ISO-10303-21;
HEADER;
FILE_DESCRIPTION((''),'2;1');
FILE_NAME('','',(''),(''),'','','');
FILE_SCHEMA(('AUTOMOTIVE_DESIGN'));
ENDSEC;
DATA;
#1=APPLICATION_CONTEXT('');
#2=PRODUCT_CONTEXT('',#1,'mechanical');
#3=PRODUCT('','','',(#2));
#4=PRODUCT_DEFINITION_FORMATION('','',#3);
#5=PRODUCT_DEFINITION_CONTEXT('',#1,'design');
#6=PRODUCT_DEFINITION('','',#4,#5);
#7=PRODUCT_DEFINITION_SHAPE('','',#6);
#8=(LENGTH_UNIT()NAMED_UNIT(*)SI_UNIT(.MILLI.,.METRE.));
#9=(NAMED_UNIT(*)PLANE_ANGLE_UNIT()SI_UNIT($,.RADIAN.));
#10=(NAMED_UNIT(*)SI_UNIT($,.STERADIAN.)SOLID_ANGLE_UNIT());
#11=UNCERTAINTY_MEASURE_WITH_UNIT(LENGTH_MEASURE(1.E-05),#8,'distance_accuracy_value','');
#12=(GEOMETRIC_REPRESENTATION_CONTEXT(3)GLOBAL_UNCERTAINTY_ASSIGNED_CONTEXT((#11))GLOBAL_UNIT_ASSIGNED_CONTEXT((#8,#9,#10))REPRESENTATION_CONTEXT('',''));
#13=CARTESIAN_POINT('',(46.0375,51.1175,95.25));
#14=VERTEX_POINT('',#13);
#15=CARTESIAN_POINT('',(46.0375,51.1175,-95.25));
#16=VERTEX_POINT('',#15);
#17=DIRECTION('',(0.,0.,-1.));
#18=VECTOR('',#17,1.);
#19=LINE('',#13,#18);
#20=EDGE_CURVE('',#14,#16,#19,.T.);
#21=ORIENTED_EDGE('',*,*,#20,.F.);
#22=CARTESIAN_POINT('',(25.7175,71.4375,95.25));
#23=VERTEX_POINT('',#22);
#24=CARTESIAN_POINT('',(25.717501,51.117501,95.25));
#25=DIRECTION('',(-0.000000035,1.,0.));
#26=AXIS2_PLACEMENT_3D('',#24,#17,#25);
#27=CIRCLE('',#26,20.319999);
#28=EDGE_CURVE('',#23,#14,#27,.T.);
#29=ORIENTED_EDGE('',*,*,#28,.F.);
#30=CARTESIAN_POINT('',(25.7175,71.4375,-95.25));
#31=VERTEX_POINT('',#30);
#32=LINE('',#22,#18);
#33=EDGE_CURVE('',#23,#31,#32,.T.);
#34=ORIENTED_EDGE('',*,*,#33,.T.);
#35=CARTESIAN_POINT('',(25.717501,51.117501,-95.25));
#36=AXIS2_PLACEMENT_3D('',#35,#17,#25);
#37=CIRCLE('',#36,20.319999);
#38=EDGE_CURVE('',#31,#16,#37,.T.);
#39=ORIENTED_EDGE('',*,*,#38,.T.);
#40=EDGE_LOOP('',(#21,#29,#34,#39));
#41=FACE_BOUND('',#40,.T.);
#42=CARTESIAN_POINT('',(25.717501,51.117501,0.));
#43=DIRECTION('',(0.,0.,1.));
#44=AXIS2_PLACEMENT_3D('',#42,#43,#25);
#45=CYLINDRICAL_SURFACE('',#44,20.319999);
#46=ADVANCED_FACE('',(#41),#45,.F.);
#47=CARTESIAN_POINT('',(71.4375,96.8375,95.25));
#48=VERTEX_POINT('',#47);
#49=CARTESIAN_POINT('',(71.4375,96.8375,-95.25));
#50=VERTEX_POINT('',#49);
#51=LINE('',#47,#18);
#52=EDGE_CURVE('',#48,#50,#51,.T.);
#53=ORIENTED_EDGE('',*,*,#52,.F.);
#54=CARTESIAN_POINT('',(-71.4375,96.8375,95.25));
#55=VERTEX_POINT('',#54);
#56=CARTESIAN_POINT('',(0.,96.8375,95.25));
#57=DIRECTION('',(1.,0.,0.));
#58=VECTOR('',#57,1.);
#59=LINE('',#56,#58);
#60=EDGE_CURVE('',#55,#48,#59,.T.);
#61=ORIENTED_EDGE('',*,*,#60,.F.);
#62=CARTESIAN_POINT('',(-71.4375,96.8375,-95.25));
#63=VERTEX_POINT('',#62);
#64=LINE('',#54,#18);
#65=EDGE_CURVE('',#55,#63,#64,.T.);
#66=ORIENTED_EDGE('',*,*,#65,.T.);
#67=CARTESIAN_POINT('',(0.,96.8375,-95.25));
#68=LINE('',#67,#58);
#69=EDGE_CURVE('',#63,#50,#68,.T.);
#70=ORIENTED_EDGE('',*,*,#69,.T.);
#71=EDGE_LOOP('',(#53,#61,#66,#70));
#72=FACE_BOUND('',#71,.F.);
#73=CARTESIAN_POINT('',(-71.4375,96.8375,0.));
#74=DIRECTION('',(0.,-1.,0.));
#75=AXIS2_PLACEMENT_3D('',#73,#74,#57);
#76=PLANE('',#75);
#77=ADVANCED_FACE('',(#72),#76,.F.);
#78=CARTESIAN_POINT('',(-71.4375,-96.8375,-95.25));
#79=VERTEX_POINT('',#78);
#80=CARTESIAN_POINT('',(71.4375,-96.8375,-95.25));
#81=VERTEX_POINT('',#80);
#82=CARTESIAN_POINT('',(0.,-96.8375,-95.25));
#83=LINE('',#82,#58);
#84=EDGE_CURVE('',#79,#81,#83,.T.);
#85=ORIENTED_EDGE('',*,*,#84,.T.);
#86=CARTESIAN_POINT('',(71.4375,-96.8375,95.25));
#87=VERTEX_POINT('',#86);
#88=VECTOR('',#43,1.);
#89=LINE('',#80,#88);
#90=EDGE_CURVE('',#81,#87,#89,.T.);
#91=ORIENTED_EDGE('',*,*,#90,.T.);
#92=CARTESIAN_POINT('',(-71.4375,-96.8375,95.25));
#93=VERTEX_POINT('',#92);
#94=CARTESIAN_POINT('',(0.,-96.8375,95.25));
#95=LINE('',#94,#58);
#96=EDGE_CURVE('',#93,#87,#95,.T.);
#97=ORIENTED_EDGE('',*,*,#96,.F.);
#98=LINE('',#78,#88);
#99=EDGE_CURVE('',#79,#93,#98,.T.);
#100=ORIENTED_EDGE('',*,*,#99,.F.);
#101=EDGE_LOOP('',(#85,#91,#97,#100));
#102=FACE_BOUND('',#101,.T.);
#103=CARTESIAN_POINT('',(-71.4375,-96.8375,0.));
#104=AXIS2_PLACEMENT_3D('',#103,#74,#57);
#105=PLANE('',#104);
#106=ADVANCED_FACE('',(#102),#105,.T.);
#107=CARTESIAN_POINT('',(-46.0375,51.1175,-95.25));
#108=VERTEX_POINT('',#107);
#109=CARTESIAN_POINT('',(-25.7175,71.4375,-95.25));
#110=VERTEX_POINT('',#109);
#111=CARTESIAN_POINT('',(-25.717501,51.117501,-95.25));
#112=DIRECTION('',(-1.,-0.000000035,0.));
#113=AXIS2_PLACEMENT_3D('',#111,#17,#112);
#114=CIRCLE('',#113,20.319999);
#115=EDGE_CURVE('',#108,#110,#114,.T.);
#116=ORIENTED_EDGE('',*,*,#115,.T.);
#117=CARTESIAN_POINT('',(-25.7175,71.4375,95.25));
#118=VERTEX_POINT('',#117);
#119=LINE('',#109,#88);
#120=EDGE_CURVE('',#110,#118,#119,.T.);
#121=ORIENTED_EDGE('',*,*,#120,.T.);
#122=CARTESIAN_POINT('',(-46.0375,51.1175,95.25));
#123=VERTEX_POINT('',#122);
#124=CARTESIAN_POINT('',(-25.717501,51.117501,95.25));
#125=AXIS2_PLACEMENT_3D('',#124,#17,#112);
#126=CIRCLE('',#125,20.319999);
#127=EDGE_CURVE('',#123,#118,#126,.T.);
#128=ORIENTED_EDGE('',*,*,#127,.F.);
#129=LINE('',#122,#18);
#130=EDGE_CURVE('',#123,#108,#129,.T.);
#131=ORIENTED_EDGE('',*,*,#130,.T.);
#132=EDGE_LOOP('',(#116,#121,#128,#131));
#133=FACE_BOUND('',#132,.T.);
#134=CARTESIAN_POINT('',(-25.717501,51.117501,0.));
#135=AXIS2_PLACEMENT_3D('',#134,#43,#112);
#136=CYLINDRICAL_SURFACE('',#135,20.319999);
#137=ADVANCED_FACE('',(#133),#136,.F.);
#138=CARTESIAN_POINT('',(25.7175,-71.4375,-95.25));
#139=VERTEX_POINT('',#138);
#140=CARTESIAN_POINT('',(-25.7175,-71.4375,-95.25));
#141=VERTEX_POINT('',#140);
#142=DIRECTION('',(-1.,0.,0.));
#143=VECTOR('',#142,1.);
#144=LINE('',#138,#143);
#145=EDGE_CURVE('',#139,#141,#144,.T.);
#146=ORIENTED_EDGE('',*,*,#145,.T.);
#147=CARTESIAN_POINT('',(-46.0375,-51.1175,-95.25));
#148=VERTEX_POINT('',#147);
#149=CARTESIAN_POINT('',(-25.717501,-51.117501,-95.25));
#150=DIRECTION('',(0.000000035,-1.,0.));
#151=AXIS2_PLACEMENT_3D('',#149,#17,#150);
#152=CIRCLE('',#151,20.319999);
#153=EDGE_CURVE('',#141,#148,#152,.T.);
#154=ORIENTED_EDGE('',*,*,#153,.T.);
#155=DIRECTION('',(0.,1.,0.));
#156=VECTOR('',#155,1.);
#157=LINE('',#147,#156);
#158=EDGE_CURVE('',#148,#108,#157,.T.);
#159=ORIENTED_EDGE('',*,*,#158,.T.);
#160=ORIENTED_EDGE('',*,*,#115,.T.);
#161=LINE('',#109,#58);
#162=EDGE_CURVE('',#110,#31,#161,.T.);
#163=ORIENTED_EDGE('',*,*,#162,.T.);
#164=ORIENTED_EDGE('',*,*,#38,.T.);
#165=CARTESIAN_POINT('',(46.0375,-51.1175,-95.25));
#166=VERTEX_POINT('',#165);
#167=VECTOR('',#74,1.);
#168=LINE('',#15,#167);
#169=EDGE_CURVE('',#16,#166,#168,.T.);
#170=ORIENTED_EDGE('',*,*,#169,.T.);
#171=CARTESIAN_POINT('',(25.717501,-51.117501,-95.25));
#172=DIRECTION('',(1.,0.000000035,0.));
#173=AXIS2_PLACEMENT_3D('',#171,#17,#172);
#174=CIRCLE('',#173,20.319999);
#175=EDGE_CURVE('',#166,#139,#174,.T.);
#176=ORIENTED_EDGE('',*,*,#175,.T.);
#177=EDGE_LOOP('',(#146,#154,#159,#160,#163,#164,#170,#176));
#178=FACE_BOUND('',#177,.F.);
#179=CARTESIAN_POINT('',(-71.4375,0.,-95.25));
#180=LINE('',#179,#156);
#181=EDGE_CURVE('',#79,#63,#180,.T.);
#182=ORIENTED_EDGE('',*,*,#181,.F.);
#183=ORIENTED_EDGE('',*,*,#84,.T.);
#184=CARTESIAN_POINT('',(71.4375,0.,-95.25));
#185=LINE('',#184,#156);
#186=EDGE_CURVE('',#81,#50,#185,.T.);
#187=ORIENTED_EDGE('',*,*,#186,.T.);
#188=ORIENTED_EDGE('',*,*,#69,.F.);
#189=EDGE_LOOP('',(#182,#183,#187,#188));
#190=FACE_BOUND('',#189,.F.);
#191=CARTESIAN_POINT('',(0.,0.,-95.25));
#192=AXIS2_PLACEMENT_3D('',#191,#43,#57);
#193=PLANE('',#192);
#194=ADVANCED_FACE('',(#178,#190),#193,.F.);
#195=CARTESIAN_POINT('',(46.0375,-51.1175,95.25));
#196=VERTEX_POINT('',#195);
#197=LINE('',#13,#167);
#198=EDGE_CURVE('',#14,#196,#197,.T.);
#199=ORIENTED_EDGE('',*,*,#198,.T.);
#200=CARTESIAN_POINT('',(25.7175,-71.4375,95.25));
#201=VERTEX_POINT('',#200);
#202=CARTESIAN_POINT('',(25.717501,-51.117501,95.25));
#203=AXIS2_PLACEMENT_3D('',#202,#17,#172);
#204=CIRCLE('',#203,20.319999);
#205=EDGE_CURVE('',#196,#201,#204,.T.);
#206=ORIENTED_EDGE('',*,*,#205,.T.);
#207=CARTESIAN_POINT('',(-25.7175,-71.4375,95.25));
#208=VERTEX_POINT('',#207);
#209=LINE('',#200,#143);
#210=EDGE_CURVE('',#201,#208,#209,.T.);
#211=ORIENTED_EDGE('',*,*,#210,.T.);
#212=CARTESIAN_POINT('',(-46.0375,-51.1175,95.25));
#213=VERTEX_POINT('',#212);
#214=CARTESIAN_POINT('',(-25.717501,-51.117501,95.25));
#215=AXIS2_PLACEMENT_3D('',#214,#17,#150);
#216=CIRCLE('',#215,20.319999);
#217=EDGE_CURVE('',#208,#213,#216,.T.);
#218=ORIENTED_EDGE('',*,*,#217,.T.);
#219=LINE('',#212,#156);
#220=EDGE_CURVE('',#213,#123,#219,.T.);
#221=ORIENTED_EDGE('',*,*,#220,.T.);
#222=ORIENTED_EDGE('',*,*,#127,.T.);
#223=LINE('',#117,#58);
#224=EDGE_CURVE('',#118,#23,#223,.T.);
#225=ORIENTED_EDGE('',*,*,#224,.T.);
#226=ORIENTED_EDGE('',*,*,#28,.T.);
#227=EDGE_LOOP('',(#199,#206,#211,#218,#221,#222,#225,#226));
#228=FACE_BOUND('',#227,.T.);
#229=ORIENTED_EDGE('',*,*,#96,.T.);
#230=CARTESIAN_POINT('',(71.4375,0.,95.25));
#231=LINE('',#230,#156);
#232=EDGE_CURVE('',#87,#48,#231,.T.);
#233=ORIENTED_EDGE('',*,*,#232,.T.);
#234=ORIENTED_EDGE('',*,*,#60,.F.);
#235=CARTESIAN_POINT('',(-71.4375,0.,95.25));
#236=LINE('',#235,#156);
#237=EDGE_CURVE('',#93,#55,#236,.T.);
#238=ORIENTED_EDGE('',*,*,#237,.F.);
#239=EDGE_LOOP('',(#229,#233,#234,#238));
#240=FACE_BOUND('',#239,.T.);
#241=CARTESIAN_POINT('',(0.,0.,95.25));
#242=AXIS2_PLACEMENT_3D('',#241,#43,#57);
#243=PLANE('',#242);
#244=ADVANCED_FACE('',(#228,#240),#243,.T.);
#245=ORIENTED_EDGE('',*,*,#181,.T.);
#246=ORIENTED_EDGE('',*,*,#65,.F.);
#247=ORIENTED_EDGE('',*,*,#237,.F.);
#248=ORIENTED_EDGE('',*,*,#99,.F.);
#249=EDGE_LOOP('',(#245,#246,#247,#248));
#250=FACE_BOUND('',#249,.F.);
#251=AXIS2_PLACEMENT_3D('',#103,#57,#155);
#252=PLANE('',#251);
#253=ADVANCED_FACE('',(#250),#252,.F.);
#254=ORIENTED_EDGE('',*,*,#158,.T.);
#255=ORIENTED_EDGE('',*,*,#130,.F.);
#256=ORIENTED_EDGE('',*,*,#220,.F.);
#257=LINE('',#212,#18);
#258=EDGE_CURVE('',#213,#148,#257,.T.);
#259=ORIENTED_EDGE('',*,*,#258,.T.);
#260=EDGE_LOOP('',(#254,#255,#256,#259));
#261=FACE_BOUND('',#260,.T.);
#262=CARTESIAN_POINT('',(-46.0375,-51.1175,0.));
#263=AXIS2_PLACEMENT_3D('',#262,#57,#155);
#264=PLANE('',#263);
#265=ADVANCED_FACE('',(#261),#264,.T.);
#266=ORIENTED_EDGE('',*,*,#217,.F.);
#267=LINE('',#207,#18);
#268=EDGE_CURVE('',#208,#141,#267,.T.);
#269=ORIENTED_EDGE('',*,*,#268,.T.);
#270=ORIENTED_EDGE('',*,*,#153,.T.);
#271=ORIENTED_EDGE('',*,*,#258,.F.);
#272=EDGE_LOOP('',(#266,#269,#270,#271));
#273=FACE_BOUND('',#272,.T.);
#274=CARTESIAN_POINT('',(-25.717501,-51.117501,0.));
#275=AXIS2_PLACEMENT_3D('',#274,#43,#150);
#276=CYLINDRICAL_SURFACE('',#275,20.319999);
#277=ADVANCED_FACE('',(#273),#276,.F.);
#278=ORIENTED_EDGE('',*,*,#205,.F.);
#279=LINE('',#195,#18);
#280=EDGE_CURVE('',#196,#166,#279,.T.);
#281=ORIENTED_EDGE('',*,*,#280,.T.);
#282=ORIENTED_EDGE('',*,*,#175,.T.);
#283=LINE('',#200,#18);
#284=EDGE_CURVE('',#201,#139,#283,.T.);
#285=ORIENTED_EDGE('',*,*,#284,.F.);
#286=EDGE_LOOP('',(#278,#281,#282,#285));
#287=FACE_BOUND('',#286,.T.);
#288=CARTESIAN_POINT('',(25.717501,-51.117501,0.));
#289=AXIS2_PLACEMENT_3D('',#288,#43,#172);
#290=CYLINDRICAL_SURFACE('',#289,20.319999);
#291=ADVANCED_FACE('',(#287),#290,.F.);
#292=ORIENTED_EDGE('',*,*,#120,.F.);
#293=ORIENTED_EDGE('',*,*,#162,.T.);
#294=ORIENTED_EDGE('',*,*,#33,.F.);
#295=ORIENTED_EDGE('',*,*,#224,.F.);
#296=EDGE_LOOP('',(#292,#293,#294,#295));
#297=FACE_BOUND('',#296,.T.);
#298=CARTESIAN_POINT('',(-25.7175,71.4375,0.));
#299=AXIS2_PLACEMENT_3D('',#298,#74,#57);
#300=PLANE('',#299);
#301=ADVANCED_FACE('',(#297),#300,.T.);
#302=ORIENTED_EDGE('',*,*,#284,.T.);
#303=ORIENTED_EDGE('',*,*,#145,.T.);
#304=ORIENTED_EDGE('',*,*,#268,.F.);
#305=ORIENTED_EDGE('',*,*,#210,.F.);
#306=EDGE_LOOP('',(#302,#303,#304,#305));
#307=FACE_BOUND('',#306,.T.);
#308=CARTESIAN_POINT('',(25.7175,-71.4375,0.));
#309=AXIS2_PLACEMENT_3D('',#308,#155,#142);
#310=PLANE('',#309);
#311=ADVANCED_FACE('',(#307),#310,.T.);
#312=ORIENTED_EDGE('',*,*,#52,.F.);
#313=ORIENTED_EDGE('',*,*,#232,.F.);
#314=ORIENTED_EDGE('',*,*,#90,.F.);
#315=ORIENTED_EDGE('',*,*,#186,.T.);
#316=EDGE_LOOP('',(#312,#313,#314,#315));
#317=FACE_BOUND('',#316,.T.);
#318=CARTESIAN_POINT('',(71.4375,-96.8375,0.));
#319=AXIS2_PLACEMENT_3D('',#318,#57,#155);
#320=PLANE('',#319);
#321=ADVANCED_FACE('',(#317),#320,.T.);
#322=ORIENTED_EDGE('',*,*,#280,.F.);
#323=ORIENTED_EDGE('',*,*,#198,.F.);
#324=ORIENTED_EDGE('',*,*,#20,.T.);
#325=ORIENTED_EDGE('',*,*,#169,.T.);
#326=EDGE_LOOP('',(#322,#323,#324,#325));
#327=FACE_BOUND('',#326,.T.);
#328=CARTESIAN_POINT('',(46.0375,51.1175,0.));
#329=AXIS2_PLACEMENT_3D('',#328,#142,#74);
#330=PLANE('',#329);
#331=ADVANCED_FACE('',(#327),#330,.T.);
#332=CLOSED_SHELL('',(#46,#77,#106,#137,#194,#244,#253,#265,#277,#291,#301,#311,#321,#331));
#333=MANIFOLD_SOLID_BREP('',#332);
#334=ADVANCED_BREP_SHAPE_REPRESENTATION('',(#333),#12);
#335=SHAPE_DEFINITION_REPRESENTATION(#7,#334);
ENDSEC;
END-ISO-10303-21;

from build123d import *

# Parameters (mm, degrees)
F0_W     = 142.875
F0_H     = 193.675
F1_DEPTH = 95.25


with BuildPart() as f1:
    # F0 (on Top) → F1 (new body, symmetric)
    with BuildSketch(Plane.XY):
        Rectangle(F0_W, F0_H)
        with BuildLine():
            Line((-25.7175, 71.4375), (25.7175, 71.4375))
            ThreePointArc((25.7175, 71.4375), (40.08591, 65.48591), (46.0375, 51.1175))
            Line((46.0375, 51.1175), (46.0375, 0))
            Line((46.0375, 0), (46.0375, -51.1175))
            ThreePointArc((46.0375, -51.1175), (40.08591, -65.48591), (25.7175, -71.4375))
            Line((25.7175, -71.4375), (-25.7175, -71.4375))
            ThreePointArc((-25.7175, -71.4375), (-40.08591, -65.48591), (-46.0375, -51.1175))
            Line((-46.0375, -51.1175), (-46.0375, 0))
            Line((-46.0375, 0), (-46.0375, 51.1175))
            ThreePointArc((-46.0375, 51.1175), (-40.08591, 65.48591), (-25.7175, 71.4375))
        make_face(mode=Mode.SUBTRACT)
    extrude(amount=F1_DEPTH, both=True)


solid = f1.part
